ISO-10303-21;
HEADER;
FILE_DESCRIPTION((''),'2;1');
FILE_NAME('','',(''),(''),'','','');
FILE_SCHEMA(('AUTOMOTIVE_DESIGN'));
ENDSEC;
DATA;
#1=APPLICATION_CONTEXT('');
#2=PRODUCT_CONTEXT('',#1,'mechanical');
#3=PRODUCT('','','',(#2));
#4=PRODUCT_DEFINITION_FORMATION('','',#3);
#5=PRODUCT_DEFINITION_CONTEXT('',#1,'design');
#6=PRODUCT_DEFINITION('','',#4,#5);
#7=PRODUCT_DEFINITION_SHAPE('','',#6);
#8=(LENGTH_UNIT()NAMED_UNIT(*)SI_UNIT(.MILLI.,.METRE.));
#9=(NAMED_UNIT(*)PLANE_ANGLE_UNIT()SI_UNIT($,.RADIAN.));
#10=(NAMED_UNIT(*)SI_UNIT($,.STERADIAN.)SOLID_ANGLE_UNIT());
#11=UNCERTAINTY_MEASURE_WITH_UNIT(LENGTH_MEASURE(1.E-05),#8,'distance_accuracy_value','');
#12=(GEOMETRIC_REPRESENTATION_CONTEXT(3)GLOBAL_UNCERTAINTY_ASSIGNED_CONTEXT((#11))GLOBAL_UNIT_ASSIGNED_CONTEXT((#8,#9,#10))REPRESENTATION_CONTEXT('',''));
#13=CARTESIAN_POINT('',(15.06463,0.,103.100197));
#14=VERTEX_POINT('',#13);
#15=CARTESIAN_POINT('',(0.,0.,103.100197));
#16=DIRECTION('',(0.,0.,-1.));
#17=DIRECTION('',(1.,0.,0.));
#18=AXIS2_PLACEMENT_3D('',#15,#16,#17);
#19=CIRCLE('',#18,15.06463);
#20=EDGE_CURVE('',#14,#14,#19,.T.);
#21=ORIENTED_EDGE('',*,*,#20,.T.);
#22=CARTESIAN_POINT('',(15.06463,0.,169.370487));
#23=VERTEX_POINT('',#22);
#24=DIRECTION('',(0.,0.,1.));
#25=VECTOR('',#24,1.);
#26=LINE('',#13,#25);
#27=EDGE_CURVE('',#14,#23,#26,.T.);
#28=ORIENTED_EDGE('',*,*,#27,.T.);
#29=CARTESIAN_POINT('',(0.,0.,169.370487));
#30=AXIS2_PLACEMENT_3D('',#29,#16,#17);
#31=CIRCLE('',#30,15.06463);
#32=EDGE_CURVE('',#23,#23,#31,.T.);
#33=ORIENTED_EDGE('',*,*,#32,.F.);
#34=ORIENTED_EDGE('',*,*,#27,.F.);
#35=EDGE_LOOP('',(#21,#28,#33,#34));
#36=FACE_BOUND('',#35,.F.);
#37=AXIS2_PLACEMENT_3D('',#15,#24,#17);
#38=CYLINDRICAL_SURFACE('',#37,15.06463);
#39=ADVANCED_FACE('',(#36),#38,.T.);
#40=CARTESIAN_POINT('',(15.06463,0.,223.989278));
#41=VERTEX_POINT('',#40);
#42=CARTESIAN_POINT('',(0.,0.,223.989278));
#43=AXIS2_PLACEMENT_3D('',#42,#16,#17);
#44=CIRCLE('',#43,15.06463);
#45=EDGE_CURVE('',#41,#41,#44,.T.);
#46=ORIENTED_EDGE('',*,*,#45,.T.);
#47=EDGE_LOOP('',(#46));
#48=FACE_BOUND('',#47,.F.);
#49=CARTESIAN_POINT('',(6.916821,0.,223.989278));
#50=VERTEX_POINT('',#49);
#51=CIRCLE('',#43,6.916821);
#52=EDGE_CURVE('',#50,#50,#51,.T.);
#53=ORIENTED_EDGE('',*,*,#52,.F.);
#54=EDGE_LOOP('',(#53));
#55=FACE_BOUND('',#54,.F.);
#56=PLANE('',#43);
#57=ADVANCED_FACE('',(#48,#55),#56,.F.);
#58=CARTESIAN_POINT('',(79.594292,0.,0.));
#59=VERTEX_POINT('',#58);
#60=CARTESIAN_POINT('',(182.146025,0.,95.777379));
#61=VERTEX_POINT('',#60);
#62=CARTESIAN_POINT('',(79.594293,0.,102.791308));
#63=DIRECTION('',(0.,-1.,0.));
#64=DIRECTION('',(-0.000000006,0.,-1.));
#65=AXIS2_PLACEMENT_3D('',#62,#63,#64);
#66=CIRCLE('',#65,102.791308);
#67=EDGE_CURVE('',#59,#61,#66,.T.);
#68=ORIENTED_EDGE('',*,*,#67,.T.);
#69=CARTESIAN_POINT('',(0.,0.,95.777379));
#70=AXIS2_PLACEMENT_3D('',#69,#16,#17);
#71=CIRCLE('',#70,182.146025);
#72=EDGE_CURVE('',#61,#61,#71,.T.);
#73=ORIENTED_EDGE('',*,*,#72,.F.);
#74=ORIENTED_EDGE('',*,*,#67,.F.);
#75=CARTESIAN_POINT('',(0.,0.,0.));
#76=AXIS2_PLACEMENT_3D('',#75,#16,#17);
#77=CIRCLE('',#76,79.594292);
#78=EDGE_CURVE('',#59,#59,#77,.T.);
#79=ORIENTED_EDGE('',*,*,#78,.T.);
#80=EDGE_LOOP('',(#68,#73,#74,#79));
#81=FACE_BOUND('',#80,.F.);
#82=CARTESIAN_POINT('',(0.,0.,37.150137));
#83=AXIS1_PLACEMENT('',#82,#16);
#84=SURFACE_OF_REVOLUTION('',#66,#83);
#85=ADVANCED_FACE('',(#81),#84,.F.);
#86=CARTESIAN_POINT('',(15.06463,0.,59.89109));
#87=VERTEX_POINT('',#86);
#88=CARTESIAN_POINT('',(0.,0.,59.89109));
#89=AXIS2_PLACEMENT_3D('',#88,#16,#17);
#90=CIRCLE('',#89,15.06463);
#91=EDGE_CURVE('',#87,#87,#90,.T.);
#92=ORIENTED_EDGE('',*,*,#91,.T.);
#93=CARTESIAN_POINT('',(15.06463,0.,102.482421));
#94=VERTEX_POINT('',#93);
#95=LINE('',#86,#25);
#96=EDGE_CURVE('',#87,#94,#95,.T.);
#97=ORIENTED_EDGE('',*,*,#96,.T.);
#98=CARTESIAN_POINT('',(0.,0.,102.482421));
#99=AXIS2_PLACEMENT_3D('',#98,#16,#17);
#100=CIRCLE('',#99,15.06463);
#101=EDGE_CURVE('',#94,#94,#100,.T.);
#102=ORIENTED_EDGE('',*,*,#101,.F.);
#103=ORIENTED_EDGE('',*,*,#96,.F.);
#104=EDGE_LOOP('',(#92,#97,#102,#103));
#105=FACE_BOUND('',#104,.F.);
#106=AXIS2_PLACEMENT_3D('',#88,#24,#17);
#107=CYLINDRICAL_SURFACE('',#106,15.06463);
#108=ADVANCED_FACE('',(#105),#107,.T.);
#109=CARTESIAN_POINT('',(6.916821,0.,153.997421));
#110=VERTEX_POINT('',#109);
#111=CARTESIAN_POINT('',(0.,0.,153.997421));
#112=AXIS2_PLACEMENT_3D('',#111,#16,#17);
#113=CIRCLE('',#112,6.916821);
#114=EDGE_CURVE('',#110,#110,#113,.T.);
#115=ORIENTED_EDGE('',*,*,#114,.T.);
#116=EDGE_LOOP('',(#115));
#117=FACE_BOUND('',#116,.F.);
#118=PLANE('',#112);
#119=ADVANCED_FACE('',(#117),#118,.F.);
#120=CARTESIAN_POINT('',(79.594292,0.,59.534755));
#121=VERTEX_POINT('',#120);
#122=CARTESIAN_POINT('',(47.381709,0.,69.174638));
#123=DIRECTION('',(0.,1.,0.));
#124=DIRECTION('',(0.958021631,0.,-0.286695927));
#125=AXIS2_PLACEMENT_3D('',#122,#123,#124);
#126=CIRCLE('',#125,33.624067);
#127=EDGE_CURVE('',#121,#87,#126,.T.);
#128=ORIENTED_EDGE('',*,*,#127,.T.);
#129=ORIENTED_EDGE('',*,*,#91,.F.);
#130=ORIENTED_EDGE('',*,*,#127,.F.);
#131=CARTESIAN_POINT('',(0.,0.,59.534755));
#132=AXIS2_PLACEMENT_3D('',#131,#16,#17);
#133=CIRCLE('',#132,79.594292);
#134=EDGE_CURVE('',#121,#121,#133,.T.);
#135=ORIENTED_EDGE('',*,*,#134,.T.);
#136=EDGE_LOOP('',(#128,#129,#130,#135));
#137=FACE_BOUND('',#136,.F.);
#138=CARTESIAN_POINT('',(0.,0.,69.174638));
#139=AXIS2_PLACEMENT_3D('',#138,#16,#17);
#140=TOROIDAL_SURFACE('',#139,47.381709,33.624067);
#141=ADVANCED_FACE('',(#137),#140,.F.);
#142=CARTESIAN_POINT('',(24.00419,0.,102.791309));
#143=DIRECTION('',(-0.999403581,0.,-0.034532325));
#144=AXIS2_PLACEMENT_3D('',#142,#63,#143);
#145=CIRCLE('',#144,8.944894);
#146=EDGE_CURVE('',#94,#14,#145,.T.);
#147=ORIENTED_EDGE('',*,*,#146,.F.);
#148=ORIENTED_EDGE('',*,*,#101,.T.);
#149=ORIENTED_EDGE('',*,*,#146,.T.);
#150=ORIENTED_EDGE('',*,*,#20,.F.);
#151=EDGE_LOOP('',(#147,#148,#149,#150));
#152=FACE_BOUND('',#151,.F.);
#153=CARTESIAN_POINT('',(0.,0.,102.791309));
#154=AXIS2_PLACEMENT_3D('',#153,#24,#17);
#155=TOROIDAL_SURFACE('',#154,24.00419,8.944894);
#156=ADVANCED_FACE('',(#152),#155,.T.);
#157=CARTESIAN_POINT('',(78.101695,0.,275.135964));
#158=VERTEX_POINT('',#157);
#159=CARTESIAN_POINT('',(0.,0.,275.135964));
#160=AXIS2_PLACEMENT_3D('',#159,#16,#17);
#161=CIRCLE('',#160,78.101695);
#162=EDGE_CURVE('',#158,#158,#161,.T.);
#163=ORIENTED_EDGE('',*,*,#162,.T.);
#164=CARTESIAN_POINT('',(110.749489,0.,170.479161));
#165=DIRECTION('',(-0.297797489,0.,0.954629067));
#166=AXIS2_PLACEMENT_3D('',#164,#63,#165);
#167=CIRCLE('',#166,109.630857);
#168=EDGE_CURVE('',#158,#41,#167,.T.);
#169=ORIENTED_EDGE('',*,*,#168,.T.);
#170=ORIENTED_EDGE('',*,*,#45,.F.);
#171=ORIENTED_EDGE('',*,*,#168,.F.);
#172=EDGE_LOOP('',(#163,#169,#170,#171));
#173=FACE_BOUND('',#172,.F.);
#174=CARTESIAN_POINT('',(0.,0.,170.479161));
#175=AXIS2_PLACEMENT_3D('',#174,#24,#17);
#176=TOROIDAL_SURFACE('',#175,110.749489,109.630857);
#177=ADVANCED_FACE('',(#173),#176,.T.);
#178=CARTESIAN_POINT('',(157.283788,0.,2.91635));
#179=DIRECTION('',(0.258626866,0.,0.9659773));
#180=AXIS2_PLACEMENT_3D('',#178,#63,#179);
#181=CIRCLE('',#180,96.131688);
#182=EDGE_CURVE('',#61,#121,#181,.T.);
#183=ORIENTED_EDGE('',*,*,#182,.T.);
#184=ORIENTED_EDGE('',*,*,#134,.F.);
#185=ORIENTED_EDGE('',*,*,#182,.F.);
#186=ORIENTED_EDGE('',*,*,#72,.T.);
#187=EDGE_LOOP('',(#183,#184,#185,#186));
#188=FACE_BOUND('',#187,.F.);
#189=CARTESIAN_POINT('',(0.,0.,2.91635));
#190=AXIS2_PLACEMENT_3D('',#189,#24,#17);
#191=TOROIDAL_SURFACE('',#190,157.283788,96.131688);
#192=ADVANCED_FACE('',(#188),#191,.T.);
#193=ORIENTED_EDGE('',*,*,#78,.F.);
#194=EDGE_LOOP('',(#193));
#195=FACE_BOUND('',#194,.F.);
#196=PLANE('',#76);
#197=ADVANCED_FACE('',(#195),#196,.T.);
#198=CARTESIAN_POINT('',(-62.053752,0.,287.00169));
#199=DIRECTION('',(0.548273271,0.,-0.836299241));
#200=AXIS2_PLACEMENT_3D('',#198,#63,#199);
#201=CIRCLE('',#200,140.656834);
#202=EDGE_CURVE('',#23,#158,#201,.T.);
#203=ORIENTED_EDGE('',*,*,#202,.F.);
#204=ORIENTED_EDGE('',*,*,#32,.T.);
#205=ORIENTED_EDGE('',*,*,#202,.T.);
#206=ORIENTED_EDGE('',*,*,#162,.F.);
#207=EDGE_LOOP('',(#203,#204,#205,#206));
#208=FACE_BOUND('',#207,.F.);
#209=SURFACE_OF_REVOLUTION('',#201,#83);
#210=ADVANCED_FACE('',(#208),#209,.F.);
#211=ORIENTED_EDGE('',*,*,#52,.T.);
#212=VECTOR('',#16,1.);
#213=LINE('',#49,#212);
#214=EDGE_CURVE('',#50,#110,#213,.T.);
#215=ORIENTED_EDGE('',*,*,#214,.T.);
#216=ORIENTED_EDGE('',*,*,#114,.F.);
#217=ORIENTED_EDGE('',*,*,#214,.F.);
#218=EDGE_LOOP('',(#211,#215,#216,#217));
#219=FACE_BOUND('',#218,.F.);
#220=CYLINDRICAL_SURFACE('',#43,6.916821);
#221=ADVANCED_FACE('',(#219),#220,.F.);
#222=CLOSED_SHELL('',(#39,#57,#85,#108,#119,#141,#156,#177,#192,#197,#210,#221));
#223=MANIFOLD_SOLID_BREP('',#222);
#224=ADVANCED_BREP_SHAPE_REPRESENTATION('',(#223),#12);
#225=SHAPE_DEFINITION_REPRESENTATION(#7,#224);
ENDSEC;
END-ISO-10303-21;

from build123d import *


with BuildPart() as f1:
    # F0 (on Front) → F1 (revolve)
    with BuildSketch(Plane.XZ):
        with BuildLine():
            Line((0, 74.300274), (0, 0))
            Line((0, 0), (79.594292, 0))
            ThreePointArc((79.594292, 0), (149.755115, 27.667996), (182.146025, 95.777379))
            ThreePointArc((182.146025, 95.777379), (125.251589, 93.55431), (79.594292, 59.534755))
            ThreePointArc((79.594292, 59.534755), (47.196038, 35.551084), (15.06463, 59.89109))
            Line((15.06463, 59.89109), (15.06463, 102.482421))
            ThreePointArc((15.06463, 102.482421), (32.949084, 102.791309), (15.06463, 103.100197))
            Line((15.06463, 103.100197), (15.06463, 169.370487))
            ThreePointArc((15.06463, 169.370487), (58.770762, 214.989319), (78.101695, 275.135964))
            ThreePointArc((78.101695, 275.135964), (41.674795, 255.612066), (15.06463, 223.989278))
            Line((15.06463, 223.989278), (6.916821, 223.989278))
            Line((6.916821, 223.989278), (6.916821, 153.997421))
            Line((6.916821, 153.997421), (0, 153.997421))
            Line((0, 153.997421), (0, 74.300274))
        make_face()
    revolve(axis=Axis((0, 0, 37.150137), (0, 0, -1)))


solid = f1.part
